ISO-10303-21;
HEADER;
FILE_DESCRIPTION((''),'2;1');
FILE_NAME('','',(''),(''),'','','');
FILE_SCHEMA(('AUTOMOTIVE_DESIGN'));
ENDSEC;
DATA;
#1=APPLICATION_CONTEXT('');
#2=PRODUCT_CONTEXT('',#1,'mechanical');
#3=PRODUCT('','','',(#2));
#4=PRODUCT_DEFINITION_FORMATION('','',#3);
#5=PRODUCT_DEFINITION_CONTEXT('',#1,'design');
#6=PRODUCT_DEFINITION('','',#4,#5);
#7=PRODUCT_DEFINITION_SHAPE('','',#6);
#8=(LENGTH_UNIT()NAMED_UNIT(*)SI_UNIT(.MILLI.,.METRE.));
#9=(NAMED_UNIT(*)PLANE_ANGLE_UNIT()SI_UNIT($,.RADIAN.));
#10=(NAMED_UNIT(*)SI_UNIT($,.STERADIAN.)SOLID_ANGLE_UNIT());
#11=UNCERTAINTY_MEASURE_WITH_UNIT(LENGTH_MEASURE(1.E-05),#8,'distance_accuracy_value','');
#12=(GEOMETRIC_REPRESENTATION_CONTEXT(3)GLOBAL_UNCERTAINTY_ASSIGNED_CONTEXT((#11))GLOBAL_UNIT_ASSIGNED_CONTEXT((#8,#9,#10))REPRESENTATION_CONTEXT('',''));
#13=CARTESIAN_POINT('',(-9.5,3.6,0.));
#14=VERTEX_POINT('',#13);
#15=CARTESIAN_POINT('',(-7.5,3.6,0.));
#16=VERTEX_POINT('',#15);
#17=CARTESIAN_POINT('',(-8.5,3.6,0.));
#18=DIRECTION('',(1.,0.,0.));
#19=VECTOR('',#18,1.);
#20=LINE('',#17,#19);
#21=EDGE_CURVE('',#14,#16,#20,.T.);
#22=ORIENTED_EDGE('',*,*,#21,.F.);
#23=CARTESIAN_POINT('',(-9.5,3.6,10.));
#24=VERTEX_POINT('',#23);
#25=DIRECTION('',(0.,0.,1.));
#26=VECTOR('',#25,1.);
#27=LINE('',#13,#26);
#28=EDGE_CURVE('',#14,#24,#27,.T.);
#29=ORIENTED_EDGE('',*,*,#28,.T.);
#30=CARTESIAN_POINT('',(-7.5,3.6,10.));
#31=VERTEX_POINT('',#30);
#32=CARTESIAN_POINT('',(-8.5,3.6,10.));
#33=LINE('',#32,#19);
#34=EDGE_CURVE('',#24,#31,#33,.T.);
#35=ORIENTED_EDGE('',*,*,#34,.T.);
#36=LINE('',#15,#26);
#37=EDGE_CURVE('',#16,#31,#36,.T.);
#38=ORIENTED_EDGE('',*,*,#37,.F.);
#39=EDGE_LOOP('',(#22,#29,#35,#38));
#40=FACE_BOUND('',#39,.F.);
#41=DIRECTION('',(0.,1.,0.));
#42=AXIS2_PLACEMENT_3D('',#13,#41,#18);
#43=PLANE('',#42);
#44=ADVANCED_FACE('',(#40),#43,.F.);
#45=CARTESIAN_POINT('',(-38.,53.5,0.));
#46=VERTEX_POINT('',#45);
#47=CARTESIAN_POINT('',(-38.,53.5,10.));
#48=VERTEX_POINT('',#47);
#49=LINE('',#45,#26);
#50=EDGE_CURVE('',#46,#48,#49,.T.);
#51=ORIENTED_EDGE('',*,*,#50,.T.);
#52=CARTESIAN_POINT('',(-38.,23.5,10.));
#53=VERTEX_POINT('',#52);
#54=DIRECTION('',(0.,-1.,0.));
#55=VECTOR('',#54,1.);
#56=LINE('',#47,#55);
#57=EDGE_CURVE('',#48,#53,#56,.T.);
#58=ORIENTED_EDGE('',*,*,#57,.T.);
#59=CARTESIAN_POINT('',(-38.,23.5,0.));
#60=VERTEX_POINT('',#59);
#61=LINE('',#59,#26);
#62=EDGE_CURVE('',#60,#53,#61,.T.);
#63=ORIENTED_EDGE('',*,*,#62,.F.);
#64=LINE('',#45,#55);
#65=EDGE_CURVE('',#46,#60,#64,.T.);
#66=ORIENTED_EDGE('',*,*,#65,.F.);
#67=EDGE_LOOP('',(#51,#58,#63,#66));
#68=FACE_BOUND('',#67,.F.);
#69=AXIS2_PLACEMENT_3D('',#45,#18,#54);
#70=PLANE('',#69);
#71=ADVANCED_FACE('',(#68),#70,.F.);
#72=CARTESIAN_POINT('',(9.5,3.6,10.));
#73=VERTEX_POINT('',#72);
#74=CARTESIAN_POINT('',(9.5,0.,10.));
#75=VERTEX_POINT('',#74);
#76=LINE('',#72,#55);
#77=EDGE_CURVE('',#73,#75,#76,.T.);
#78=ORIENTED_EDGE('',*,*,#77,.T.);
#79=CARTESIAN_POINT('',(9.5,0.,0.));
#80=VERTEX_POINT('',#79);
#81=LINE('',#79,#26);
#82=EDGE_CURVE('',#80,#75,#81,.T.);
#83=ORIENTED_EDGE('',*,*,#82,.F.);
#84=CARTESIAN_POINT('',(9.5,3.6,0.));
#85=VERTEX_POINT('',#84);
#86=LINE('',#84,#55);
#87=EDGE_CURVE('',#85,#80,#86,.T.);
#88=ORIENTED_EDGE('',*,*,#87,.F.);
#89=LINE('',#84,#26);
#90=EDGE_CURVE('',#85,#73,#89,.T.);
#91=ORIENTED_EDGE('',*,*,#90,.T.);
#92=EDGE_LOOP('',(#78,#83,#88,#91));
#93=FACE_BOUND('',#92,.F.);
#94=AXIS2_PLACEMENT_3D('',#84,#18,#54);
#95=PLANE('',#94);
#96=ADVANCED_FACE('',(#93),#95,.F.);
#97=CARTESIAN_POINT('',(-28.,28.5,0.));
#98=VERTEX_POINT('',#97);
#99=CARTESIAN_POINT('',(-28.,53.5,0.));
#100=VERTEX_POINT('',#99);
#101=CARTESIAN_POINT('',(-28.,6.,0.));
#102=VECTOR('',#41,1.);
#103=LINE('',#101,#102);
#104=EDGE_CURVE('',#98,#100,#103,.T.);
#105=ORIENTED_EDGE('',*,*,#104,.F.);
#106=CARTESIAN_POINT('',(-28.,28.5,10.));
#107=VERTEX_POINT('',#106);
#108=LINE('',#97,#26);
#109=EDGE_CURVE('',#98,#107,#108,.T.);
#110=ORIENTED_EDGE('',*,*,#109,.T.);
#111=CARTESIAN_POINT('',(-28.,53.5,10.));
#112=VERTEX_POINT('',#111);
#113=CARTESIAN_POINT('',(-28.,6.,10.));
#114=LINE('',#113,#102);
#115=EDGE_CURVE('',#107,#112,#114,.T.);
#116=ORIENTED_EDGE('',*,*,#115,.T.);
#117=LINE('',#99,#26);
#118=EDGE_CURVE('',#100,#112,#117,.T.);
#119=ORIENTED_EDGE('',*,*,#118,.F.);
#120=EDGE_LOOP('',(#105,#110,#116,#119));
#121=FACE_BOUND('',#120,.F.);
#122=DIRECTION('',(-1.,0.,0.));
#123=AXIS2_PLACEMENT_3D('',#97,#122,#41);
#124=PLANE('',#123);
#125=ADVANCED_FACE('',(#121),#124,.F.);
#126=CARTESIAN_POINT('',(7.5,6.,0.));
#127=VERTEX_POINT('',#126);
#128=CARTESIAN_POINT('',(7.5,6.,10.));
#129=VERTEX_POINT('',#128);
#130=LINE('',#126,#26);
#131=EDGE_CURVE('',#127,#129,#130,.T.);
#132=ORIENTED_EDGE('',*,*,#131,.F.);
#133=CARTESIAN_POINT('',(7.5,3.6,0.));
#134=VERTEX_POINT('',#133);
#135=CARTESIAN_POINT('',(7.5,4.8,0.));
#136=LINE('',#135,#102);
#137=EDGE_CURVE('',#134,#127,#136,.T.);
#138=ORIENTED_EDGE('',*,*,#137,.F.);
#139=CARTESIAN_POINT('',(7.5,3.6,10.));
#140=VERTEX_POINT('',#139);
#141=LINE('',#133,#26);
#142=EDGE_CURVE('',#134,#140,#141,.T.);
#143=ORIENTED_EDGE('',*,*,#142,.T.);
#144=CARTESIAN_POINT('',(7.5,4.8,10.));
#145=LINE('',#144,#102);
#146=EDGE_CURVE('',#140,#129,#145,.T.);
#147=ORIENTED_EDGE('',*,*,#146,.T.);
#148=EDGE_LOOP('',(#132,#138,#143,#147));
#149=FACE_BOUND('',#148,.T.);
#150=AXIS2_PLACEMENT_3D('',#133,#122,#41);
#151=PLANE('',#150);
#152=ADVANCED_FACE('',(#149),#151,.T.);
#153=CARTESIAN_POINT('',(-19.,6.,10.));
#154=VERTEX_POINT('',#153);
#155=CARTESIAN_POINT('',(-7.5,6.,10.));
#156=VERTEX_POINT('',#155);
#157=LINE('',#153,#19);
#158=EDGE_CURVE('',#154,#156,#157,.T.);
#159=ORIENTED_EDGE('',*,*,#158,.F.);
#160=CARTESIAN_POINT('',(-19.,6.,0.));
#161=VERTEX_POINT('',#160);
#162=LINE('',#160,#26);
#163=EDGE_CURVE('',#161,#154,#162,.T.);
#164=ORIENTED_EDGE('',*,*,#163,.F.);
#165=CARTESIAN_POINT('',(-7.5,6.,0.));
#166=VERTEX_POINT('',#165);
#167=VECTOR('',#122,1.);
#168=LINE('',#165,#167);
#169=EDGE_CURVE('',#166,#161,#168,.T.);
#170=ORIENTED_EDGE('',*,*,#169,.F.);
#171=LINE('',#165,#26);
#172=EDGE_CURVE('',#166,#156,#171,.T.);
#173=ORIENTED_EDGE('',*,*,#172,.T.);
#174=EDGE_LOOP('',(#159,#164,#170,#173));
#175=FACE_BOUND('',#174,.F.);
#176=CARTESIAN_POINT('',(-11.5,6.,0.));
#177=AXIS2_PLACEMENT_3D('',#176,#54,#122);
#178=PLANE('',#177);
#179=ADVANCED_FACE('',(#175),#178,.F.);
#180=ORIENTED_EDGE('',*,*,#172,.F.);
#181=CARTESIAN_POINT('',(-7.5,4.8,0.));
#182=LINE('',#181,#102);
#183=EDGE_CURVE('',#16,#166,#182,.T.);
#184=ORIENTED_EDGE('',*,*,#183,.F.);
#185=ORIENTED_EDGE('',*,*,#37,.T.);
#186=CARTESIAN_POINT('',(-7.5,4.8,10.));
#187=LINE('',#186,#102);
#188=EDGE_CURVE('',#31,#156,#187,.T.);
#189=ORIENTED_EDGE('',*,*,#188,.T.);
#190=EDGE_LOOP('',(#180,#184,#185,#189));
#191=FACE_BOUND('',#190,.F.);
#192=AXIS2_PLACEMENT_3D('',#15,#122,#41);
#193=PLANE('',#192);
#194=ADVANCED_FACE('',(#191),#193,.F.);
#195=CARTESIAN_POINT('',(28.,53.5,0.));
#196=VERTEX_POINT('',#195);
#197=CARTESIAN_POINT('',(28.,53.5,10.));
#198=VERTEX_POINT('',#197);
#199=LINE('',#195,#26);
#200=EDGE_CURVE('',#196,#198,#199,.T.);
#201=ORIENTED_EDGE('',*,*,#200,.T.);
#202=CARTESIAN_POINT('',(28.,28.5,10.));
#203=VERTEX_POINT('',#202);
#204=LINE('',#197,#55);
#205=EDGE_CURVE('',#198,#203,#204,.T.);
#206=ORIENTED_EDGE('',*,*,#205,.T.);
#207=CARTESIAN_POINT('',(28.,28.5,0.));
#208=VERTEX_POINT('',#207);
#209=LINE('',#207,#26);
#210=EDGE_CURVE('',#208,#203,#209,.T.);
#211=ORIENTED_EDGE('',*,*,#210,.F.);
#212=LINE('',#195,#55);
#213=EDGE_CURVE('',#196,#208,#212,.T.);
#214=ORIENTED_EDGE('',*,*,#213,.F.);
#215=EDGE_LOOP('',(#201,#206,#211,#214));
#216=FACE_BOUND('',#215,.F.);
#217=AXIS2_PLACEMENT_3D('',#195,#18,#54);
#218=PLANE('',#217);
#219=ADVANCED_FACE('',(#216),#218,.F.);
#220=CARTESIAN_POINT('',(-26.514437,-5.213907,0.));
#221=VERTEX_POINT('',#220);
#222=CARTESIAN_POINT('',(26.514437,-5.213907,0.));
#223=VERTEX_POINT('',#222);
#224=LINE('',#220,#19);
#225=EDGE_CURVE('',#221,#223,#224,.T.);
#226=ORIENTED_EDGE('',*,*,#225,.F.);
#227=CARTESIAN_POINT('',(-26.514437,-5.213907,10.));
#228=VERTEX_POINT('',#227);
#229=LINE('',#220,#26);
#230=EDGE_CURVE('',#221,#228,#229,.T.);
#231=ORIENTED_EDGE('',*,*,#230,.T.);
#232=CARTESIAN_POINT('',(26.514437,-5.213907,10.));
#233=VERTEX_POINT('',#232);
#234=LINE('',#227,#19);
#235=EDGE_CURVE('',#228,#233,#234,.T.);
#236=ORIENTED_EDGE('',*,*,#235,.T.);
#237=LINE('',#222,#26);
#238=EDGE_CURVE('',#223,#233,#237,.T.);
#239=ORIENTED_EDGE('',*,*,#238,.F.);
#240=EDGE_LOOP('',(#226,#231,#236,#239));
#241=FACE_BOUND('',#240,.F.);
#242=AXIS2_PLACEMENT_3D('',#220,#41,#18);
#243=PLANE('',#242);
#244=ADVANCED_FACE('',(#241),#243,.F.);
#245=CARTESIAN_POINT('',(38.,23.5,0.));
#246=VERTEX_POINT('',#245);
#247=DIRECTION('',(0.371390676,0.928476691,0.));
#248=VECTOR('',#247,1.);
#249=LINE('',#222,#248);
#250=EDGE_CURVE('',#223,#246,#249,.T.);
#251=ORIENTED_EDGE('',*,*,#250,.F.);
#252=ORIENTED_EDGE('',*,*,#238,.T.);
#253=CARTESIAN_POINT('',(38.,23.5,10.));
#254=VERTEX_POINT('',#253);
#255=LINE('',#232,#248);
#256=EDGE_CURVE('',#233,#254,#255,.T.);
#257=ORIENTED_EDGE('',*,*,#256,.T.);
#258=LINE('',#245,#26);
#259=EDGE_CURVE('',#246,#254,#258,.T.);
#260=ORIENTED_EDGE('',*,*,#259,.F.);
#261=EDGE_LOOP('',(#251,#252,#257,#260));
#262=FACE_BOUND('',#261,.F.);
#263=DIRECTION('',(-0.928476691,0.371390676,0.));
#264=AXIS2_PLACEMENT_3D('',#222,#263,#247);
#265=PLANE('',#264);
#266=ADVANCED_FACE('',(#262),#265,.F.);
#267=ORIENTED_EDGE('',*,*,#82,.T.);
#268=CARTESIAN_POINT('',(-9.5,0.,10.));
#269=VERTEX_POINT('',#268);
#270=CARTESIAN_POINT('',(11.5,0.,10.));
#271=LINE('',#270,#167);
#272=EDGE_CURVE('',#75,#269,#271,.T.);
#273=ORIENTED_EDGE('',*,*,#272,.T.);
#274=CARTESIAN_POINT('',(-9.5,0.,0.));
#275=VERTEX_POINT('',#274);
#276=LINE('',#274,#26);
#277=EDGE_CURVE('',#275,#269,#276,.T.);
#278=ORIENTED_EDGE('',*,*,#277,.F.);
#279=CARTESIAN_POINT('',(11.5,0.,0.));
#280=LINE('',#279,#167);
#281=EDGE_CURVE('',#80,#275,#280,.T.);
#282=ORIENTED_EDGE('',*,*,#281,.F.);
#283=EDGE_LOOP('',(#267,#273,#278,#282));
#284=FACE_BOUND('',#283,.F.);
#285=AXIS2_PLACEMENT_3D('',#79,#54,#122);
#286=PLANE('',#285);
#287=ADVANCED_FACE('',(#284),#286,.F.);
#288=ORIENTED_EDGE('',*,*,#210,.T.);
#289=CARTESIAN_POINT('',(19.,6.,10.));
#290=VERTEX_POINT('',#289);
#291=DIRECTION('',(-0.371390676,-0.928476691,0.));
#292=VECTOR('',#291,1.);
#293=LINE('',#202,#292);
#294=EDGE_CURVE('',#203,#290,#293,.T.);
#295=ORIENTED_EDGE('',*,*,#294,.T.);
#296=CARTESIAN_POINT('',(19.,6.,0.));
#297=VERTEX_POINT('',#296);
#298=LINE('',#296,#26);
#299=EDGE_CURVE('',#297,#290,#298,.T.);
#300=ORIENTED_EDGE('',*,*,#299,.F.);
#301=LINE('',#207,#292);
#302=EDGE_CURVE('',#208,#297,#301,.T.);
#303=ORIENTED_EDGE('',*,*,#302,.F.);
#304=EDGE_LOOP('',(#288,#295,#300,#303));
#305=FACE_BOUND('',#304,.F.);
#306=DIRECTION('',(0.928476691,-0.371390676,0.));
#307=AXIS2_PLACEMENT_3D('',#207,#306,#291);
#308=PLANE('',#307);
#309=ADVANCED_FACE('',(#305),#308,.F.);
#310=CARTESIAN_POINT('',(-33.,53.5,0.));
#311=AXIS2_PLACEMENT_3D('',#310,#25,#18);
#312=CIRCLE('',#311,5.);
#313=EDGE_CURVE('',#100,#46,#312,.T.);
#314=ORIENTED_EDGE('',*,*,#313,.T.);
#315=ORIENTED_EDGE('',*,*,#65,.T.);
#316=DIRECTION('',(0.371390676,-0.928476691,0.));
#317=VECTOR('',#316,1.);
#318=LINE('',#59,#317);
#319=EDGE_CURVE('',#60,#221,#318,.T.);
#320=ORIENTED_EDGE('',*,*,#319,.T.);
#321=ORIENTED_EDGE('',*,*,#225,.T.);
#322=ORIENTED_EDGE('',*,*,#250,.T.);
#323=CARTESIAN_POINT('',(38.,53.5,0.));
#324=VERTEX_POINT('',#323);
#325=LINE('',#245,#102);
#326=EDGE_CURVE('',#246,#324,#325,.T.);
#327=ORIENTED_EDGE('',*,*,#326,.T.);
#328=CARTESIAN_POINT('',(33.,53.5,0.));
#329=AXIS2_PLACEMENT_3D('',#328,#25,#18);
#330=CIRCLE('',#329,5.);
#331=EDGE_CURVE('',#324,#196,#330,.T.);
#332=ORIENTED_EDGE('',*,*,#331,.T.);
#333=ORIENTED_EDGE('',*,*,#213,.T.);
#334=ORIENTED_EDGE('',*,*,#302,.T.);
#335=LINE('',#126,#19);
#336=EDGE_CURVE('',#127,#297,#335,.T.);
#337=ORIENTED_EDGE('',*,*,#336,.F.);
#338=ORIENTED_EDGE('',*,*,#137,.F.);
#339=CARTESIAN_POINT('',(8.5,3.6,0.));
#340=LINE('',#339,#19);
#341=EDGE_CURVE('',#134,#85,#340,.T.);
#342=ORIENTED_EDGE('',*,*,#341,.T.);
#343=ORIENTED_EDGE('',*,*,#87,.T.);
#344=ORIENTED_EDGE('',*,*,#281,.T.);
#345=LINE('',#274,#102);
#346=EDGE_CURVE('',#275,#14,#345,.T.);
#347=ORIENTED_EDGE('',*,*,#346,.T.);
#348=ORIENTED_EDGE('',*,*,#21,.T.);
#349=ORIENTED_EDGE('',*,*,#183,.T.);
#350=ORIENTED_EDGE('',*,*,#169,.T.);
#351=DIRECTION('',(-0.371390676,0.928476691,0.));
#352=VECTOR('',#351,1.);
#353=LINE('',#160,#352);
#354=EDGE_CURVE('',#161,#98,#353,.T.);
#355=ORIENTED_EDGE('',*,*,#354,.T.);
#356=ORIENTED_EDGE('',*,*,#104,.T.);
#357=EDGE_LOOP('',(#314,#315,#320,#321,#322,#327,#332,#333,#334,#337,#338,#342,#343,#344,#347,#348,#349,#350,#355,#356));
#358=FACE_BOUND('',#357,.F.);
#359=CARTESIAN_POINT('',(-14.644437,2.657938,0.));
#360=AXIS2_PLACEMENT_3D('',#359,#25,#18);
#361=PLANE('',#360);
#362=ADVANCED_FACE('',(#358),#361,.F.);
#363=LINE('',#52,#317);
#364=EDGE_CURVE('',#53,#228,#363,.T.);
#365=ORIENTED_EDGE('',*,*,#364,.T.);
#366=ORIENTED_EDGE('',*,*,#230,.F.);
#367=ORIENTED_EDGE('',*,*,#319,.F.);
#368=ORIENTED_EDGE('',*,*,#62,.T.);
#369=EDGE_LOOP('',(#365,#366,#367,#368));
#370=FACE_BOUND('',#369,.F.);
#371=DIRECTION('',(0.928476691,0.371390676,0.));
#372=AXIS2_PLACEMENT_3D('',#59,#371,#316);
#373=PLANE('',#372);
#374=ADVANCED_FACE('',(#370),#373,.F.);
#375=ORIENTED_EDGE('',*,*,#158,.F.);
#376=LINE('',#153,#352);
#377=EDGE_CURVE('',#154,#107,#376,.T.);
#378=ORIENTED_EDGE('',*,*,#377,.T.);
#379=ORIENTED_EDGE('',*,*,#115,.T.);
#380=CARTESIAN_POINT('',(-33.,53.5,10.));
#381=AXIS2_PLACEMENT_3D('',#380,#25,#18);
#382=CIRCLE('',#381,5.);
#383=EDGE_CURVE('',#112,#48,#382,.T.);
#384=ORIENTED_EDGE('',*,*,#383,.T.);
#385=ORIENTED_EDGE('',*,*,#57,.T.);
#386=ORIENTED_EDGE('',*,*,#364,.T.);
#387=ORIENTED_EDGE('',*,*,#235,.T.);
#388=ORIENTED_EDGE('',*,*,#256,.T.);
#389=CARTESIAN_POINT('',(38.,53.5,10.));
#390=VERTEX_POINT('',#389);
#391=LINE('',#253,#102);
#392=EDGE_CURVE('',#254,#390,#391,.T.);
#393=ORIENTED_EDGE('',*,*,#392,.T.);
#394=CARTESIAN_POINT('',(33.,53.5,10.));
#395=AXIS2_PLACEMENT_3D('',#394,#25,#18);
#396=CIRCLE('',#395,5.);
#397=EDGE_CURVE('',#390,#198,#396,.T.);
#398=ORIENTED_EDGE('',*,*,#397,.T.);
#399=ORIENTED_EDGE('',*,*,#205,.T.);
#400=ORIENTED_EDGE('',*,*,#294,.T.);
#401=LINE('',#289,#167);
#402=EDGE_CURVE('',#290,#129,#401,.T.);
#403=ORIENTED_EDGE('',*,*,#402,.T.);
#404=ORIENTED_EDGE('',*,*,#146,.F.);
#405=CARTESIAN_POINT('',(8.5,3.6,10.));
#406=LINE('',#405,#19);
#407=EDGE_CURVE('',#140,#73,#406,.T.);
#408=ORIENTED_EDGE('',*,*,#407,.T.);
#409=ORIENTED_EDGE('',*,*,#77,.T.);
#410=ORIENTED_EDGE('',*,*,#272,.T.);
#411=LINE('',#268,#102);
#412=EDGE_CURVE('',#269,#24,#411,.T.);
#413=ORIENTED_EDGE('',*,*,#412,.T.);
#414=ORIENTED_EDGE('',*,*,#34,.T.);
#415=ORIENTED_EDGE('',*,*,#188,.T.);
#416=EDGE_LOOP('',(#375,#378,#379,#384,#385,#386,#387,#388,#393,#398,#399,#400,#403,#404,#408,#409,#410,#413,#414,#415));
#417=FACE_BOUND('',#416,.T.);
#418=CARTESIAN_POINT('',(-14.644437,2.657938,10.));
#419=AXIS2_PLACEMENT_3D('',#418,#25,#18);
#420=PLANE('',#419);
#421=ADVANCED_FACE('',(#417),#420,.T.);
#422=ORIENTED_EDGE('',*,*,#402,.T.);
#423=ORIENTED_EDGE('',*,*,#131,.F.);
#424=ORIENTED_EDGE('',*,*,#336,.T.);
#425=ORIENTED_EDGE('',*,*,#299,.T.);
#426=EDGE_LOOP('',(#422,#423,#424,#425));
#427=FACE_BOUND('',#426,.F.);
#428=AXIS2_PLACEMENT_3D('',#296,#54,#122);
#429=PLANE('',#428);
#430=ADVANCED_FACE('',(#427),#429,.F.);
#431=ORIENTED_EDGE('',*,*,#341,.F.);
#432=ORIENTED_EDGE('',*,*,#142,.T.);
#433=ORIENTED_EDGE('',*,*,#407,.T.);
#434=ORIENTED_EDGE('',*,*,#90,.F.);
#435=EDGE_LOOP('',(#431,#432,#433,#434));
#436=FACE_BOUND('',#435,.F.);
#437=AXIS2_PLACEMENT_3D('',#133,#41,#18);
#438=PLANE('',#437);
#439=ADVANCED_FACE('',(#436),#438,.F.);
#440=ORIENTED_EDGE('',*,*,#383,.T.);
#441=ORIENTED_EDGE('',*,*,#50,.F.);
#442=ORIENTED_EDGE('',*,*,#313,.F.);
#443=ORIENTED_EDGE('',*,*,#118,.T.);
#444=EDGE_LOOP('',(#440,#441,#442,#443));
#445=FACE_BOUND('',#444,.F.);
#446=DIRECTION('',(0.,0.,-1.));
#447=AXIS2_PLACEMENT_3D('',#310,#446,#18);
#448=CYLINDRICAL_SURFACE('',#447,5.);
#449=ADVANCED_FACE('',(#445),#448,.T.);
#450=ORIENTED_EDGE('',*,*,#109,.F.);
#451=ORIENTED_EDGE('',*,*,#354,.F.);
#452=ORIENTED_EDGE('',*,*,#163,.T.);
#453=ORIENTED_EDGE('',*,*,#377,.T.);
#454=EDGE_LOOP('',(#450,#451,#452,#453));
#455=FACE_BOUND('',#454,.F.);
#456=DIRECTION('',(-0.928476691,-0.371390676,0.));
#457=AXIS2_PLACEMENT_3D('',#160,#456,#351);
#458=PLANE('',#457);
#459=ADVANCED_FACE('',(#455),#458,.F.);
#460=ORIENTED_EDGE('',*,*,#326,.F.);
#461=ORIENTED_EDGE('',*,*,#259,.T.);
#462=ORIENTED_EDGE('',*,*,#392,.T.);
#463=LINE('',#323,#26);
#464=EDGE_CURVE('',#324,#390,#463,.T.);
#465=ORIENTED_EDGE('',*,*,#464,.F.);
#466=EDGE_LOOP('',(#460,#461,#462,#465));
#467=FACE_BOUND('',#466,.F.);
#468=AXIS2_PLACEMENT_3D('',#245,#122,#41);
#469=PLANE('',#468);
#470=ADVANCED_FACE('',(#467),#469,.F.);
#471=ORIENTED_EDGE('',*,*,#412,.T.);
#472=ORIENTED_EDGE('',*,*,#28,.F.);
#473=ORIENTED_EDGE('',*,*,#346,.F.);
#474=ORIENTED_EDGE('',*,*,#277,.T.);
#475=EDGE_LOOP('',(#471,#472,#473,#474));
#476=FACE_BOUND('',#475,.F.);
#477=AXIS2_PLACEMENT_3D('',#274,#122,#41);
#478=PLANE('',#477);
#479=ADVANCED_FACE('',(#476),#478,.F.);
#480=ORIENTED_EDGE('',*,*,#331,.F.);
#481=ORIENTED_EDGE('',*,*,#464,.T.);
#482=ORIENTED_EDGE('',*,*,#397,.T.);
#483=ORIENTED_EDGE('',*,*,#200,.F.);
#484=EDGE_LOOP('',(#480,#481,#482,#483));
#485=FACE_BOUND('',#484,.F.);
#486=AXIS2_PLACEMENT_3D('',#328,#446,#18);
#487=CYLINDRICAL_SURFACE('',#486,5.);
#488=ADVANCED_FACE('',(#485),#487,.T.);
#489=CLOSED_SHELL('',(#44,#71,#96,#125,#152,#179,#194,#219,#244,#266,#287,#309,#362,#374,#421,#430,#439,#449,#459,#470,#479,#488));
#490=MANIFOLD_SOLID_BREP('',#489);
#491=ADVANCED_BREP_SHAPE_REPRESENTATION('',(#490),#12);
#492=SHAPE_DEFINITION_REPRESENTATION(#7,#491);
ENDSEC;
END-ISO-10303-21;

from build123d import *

# Parameters (mm, degrees)
F0_W     = 2
F0_H     = 2.4
F1_DEPTH = 10
F2_DEPTH = 10


with BuildPart() as f1:
    # F0 (on Top) → F1 (new body)
    with BuildSketch(Plane.XY):
        with Locations((-8.5, 4.8)):
            Rectangle(F0_W, F0_H)
        Polygon((-11.5, 0), (-9.5, 0), (-9.5, 3.6), (-9.5, 6), (-11.5, 6), align=None)
        Polygon((9.5, 0), (0, 0), (0, -1.5), (11.5, -1.5), (11.5, 0), align=None)
        with Locations((8.5, 4.8)):
            Rectangle(F0_W, F0_H)
        Polygon((0, -1.5), (0, 0), (-9.5, 0), (-11.5, 0), (-11.5, -1.5), align=None)
        Polygon((9.5, 3.6), (9.5, 0), (11.5, 0), (11.5, 6), (9.5, 6), align=None)
    extrude(amount=F1_DEPTH)

    # F0 (on Top) → F2 (join)
    with BuildSketch(Plane.XY):
        Polygon((-11.5, -1.5), (-11.5, 0), (-11.5, 6), (-19, 6), (-16, -1.5), align=None)
        with BuildLine():
            Line((-31, 6), (-28, 6))
            Line((-28, 6), (-28, 28.5))
            Line((-28, 28.5), (-28, 53.5))
            ThreePointArc((-28, 53.5), (-33, 58.5), (-38, 53.5))
            Line((-38, 53.5), (-38, 23.5))
            Line((-38, 23.5), (-31, 6))
        make_face()
        Polygon((11.5, 0), (11.5, -1.5), (16, -1.5), (19, 6), (11.5, 6), align=None)
        with BuildLine():
            Line((28, 6), (31, 6))
            Line((31, 6), (38, 23.5))
            Line((38, 23.5), (38, 53.5))
            ThreePointArc((38, 53.5), (33, 58.5), (28, 53.5))
            Line((28, 53.5), (28, 28.5))
            Line((28, 28.5), (28, 6))
        make_face()
        Polygon((-28, 6), (-19, 6), (-28, 28.5), align=None)
        Polygon((-28, -1.5), (-16, -1.5), (-19, 6), (-28, 6), (-31, 6), align=None)
        Polygon((19, 6), (16, -1.5), (28, -1.5), (31, 6), (28, 6), align=None)
        Polygon((28, 28.5), (19, 6), (28, 6), align=None)
        Polygon((11.5, -1.5), (0, -1.5), (-11.5, -1.5), (-16, -1.5), (-28, -1.5), (-26.5144372946, -5.2139067635), (26.5144372946, -5.2139067635), (28, -1.5), (16, -1.5), align=None)
    extrude(amount=F2_DEPTH)


solid = f1.part
